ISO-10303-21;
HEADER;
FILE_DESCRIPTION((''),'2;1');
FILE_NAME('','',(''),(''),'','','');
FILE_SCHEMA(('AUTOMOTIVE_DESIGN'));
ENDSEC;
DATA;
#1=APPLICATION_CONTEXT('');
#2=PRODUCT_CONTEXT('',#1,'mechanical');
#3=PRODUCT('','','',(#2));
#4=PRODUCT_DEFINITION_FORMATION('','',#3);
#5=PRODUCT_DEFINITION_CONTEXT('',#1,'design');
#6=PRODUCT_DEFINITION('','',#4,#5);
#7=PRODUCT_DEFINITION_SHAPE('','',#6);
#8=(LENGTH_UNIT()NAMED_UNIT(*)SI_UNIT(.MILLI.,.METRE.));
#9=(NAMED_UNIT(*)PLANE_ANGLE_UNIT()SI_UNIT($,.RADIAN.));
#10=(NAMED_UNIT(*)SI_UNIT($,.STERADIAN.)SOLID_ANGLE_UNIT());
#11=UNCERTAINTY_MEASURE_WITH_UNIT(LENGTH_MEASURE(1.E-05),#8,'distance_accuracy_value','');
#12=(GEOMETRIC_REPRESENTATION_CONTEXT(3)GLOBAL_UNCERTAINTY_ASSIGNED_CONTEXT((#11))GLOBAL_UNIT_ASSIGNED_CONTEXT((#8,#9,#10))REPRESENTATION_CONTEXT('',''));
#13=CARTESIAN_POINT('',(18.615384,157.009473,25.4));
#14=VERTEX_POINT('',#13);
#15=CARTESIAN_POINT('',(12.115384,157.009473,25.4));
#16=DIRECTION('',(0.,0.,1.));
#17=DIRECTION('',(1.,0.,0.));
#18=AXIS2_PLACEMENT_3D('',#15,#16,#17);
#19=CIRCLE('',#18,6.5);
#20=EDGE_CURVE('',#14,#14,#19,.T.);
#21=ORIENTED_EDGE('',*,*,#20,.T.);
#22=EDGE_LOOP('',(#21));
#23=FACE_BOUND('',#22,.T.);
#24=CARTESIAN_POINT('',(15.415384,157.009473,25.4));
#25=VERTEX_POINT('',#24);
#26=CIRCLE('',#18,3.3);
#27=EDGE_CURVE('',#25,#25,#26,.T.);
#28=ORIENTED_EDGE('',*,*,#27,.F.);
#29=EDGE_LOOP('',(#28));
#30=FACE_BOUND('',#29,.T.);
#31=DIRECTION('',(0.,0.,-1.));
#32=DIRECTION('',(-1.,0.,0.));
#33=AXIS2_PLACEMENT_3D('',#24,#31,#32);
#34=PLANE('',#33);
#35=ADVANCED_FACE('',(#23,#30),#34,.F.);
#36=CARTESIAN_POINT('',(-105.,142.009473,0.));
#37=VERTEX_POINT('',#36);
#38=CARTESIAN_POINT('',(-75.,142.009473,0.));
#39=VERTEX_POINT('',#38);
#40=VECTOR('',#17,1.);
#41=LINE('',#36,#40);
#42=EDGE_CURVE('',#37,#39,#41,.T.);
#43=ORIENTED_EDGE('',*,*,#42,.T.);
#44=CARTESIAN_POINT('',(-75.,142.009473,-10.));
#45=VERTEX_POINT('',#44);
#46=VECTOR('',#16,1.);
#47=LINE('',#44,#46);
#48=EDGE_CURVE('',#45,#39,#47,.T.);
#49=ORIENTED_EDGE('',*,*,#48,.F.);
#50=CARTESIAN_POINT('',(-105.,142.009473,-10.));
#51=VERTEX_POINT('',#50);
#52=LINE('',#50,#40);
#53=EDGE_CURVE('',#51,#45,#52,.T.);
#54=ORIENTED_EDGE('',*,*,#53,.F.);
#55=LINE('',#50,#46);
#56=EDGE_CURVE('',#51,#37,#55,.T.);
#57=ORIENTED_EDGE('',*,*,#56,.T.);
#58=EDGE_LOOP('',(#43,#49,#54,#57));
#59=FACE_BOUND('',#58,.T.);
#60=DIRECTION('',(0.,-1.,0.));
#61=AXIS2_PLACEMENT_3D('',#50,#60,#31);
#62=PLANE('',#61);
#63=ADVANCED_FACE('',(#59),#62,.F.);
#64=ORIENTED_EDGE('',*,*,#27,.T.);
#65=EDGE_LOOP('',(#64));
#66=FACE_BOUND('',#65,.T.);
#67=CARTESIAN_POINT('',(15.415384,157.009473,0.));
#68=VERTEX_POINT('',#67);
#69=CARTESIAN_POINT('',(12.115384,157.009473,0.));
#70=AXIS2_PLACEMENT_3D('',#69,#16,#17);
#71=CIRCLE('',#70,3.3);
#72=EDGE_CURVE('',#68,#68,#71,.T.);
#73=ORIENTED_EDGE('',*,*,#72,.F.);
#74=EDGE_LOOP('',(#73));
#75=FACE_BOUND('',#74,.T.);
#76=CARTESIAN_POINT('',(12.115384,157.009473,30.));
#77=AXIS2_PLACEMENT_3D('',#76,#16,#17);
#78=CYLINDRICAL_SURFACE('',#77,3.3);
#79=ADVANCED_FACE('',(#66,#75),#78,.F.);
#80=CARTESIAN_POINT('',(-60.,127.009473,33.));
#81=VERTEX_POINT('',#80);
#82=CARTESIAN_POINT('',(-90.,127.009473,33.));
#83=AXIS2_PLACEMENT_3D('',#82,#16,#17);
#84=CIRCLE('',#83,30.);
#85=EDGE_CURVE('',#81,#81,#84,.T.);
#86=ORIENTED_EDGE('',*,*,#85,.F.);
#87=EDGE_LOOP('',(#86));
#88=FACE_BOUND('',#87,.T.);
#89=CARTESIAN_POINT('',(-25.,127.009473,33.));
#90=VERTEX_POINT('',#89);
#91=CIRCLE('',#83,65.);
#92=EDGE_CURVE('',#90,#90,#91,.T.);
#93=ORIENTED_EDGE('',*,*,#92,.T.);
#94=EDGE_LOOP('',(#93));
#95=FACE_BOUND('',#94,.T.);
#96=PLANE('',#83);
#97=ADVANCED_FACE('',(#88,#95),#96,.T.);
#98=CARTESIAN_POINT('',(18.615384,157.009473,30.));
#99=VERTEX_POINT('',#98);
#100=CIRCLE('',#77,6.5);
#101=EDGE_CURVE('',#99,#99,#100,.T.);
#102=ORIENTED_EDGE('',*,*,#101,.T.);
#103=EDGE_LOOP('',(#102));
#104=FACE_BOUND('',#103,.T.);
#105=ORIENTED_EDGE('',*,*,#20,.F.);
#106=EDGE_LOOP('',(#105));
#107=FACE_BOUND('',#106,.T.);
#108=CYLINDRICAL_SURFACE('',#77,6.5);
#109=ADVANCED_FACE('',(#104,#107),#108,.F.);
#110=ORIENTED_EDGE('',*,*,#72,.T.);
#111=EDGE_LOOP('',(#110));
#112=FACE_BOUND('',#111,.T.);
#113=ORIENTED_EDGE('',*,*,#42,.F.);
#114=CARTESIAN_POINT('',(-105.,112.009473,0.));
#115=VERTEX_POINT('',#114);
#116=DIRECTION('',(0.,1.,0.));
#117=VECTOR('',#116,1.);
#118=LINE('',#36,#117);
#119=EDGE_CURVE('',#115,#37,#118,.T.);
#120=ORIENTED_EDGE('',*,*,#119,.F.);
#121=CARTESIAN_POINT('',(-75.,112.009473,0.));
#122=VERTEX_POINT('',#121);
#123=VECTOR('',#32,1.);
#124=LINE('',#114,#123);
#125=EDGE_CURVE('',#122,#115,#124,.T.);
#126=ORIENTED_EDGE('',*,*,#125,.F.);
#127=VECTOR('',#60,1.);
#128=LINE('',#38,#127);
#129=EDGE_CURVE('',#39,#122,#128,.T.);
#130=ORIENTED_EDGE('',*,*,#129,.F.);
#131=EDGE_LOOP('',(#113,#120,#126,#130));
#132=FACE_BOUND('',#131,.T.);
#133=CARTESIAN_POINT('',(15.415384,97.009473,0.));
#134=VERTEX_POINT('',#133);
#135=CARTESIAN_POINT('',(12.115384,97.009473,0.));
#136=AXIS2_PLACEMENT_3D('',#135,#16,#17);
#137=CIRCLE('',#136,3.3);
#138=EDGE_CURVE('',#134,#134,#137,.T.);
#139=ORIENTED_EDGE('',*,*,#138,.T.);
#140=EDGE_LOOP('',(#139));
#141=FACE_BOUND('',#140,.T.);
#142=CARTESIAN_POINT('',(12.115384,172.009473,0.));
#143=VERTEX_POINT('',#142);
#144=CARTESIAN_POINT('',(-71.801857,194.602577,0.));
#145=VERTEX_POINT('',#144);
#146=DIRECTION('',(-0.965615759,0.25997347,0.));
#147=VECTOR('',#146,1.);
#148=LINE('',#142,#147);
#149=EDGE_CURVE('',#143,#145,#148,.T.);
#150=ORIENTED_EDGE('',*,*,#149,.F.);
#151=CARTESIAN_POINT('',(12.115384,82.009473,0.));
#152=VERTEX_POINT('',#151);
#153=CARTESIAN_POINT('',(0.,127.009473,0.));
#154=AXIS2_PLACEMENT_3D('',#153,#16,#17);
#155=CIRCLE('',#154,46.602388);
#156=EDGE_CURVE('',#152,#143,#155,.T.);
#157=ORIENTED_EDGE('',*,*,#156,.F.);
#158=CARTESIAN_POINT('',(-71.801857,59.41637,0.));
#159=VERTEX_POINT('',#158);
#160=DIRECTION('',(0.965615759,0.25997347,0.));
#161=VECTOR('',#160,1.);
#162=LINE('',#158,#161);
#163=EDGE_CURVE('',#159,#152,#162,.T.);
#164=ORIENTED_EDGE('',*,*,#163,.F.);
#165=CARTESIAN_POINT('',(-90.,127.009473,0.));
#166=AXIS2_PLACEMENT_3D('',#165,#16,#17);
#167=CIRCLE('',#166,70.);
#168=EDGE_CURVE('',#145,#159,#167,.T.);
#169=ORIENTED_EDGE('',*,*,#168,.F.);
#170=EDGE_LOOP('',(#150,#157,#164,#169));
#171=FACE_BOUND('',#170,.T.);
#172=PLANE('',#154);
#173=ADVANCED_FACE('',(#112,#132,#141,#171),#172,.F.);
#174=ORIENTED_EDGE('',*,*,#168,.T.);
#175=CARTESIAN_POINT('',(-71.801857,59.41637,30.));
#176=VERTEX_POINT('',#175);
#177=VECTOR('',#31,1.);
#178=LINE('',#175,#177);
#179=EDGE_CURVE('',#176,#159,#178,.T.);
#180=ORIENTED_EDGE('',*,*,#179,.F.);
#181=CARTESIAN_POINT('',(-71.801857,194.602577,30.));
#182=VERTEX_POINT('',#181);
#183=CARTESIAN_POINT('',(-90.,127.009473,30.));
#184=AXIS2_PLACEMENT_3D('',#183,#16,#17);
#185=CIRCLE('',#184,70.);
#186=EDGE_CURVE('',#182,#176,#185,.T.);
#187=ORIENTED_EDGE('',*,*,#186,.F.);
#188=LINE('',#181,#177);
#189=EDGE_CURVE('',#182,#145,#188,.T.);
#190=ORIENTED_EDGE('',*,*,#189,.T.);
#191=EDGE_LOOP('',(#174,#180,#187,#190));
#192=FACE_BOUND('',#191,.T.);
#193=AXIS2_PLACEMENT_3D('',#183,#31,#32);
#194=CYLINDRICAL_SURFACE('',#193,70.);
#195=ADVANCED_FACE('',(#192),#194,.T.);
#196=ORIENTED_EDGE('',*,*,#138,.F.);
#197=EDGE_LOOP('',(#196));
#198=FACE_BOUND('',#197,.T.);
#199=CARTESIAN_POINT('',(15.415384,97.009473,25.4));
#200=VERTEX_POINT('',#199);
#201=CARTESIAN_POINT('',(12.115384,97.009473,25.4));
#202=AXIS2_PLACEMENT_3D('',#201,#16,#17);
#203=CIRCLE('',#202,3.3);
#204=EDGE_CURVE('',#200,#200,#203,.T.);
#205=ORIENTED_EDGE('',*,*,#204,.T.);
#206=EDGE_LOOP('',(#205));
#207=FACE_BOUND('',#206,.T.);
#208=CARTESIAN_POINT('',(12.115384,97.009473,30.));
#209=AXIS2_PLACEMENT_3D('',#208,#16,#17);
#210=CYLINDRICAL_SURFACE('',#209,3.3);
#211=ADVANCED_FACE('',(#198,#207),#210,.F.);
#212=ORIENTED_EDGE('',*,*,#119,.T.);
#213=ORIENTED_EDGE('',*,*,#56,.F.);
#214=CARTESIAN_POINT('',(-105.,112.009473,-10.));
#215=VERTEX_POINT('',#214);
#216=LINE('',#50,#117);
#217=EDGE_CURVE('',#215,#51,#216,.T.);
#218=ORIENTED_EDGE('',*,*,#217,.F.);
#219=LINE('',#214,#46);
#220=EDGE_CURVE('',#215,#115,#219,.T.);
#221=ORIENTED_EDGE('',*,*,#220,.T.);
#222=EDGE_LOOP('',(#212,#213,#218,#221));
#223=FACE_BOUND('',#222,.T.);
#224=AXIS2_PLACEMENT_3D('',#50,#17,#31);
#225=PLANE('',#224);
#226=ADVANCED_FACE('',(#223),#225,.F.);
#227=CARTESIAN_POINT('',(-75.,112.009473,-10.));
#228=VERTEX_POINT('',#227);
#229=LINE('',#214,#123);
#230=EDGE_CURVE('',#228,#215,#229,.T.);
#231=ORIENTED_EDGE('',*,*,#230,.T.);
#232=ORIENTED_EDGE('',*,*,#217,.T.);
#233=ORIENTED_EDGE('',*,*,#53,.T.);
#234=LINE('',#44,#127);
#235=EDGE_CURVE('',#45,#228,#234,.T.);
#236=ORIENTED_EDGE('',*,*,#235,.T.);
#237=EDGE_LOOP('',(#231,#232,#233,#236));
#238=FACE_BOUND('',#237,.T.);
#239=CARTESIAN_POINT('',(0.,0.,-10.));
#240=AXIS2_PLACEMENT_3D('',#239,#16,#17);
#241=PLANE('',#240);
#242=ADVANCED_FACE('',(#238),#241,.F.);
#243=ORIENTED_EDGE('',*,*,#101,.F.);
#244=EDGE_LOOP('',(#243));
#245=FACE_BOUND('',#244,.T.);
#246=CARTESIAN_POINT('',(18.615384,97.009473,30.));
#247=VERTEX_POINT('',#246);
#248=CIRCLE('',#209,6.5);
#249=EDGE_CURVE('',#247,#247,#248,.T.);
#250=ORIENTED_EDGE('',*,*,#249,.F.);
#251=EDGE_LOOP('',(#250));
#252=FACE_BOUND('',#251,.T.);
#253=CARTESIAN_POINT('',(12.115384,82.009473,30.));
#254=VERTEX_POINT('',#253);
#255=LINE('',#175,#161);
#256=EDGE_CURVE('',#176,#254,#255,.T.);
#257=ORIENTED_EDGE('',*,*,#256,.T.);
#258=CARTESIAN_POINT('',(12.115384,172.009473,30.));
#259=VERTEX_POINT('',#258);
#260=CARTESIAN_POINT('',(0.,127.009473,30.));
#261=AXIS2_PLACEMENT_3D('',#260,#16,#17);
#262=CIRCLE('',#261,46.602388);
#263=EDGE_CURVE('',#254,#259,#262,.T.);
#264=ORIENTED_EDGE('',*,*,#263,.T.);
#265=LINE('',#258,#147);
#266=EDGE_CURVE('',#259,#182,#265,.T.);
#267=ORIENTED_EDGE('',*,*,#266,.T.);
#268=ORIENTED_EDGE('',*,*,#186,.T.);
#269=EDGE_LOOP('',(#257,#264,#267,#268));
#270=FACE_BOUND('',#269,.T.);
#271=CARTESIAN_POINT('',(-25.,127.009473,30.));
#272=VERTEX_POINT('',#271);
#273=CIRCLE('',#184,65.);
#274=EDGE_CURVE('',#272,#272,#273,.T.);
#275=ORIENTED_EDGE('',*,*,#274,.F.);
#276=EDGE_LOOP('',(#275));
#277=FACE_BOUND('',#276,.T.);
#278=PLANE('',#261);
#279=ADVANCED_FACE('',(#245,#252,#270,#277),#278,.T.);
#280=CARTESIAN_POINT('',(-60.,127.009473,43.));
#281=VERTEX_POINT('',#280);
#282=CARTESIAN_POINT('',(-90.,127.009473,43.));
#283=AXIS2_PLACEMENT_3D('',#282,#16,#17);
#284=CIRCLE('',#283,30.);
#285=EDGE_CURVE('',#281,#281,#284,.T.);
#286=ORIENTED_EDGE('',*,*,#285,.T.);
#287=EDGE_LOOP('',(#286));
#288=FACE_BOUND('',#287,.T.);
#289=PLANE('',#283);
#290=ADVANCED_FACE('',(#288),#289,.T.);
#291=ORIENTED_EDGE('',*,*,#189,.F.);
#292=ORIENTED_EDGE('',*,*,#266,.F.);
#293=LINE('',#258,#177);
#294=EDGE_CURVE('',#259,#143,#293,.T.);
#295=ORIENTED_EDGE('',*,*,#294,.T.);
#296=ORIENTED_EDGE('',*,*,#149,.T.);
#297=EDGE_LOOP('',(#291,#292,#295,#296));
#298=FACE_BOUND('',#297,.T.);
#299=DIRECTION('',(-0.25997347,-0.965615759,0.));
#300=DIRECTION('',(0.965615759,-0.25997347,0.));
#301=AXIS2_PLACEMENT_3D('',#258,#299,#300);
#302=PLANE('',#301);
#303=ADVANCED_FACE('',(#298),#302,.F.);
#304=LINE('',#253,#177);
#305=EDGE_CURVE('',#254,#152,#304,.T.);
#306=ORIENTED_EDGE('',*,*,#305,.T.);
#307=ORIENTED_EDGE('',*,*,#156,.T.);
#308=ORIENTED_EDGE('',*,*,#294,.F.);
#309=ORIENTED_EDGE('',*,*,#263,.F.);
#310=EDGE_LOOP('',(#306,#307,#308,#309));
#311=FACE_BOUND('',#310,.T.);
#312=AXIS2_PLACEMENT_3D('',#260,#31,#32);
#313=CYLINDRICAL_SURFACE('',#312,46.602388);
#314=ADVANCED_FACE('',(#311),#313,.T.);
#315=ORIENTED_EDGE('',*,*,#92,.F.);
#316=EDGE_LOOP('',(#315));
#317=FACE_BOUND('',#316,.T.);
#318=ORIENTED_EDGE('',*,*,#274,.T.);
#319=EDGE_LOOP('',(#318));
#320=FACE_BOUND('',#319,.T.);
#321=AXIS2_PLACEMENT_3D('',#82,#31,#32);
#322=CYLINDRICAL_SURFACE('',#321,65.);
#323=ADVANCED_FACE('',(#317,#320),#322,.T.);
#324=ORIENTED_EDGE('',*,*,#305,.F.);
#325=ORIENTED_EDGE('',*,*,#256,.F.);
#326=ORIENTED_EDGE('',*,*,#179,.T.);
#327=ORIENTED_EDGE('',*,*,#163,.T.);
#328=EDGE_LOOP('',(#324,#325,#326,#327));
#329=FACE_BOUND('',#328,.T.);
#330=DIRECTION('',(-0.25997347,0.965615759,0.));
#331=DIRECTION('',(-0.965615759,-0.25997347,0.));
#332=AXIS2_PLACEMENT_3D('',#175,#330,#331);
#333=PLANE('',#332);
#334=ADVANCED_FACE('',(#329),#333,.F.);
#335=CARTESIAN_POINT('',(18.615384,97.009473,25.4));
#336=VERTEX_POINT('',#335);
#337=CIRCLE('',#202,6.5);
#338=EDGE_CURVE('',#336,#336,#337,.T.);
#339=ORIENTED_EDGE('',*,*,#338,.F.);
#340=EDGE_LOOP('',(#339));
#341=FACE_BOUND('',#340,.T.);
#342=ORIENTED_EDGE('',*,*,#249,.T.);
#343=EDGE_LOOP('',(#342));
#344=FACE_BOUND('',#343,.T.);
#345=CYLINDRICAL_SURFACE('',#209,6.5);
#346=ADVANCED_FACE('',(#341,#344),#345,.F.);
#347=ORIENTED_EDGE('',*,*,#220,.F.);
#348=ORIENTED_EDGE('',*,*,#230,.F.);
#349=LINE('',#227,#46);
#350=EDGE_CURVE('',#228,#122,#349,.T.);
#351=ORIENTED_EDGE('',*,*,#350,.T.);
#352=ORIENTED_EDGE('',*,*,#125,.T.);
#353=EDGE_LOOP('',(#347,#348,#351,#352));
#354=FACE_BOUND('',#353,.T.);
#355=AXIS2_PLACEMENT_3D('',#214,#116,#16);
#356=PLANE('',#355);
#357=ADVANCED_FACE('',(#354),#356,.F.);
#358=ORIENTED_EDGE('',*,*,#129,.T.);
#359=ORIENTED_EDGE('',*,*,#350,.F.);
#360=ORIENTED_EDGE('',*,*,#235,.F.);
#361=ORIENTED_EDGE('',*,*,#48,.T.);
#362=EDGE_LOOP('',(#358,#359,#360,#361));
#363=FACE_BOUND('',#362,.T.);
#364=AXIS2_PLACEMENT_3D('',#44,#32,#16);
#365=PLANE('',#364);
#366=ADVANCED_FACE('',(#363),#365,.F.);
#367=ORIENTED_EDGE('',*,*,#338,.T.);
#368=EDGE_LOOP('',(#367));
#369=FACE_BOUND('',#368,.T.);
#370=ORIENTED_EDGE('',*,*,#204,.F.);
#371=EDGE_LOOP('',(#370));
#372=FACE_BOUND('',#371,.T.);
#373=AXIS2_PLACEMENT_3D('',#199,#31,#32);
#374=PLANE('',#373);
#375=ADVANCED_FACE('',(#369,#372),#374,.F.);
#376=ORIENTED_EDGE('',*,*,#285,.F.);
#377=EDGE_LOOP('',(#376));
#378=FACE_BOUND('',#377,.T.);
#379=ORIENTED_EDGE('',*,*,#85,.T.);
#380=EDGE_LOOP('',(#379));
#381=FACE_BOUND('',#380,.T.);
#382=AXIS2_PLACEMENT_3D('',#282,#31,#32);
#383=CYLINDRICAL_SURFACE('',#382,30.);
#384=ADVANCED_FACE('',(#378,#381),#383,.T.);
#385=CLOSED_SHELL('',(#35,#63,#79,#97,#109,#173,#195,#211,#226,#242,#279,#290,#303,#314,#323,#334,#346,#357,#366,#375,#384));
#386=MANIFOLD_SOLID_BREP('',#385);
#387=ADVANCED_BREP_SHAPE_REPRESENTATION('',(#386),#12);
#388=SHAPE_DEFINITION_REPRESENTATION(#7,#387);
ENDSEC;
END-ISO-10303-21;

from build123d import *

# Parameters (mm, degrees)
BOSS_EXTRUDE1_DEPTH                      = 30
SKETCH2_W                                = 30
SKETCH2_H                                = 30
BOSS_EXTRUDE2_DEPTH                      = 10
SKETCH3_R                                = 65
BOSS_EXTRUDE3_DEPTH                      = 3
SKETCH4_R                                = 30
BOSS_EXTRUDE4_DEPTH                      = 10
CBORE_FOR_M6_PAN_HEAD_SCREW1_D           = 6.6
CBORE_FOR_M6_PAN_HEAD_SCREW1_DEPTH       = 50.5
CBORE_FOR_M6_PAN_HEAD_SCREW1_CBORE_D     = 13
CBORE_FOR_M6_PAN_HEAD_SCREW1_CBORE_DEPTH = 4.6
CBORE_FOR_M6_PAN_HEAD_SCREW1_TIP         = 1.982840043


with BuildPart() as part:
    # Sketch1 → Boss-Extrude1 (new body)
    with BuildSketch(Plane.XY):
        with BuildLine():
            Line((12.115384439, 172.009473486), (-71.801857106, 194.602576649))
            ThreePointArc((-71.801857106, 194.602576649), (-160, 127.009473486), (-71.801857106, 59.416370323))
            Line((-71.801857106, 59.416370323), (12.115384439, 82.009473486))
            ThreePointArc((12.115384439, 82.009473486), (46.602387708, 127.009473486), (12.115384439, 172.009473486))
        make_face()
    extrude(amount=BOSS_EXTRUDE1_DEPTH)

    # Sketch2 → Boss-Extrude2 (add)
    with BuildSketch(Plane(origin=(0, 0, 0), x_dir=(-1, 0, 0), z_dir=(0, 0, -1))):
        with Locations((90, 127.009473486)):
            Rectangle(SKETCH2_W, SKETCH2_H)
    extrude(amount=BOSS_EXTRUDE2_DEPTH)

    # Sketch3 → Boss-Extrude3 (add)
    with BuildSketch(Plane.XY.offset(30)):
        with Locations((-90, 127.009473486)):
            Circle(SKETCH3_R)
    extrude(amount=BOSS_EXTRUDE3_DEPTH)

    # Sketch4 → Boss-Extrude4 (add)
    with BuildSketch(Plane.XY.offset(33)):
        with Locations((-90, 127.009473486)):
            Circle(SKETCH4_R)
    extrude(amount=BOSS_EXTRUDE4_DEPTH)

    # CBORE for M6 Pan Head Screw1
    with Locations(Plane(origin=(12.115384439, 157.009473486, 30), x_dir=(1, 0, 0), z_dir=(0, 0, 1))):
        with Locations((0, 0), (0, -60)):
            CounterBoreHole(CBORE_FOR_M6_PAN_HEAD_SCREW1_D / 2, CBORE_FOR_M6_PAN_HEAD_SCREW1_CBORE_D / 2, CBORE_FOR_M6_PAN_HEAD_SCREW1_CBORE_DEPTH, depth=CBORE_FOR_M6_PAN_HEAD_SCREW1_DEPTH)
            with Locations((0, 0, -(CBORE_FOR_M6_PAN_HEAD_SCREW1_DEPTH + CBORE_FOR_M6_PAN_HEAD_SCREW1_TIP / 2))):  # 118° drill point
                Cone(0, CBORE_FOR_M6_PAN_HEAD_SCREW1_D / 2, CBORE_FOR_M6_PAN_HEAD_SCREW1_TIP, mode=Mode.SUBTRACT)


solid = part.part
